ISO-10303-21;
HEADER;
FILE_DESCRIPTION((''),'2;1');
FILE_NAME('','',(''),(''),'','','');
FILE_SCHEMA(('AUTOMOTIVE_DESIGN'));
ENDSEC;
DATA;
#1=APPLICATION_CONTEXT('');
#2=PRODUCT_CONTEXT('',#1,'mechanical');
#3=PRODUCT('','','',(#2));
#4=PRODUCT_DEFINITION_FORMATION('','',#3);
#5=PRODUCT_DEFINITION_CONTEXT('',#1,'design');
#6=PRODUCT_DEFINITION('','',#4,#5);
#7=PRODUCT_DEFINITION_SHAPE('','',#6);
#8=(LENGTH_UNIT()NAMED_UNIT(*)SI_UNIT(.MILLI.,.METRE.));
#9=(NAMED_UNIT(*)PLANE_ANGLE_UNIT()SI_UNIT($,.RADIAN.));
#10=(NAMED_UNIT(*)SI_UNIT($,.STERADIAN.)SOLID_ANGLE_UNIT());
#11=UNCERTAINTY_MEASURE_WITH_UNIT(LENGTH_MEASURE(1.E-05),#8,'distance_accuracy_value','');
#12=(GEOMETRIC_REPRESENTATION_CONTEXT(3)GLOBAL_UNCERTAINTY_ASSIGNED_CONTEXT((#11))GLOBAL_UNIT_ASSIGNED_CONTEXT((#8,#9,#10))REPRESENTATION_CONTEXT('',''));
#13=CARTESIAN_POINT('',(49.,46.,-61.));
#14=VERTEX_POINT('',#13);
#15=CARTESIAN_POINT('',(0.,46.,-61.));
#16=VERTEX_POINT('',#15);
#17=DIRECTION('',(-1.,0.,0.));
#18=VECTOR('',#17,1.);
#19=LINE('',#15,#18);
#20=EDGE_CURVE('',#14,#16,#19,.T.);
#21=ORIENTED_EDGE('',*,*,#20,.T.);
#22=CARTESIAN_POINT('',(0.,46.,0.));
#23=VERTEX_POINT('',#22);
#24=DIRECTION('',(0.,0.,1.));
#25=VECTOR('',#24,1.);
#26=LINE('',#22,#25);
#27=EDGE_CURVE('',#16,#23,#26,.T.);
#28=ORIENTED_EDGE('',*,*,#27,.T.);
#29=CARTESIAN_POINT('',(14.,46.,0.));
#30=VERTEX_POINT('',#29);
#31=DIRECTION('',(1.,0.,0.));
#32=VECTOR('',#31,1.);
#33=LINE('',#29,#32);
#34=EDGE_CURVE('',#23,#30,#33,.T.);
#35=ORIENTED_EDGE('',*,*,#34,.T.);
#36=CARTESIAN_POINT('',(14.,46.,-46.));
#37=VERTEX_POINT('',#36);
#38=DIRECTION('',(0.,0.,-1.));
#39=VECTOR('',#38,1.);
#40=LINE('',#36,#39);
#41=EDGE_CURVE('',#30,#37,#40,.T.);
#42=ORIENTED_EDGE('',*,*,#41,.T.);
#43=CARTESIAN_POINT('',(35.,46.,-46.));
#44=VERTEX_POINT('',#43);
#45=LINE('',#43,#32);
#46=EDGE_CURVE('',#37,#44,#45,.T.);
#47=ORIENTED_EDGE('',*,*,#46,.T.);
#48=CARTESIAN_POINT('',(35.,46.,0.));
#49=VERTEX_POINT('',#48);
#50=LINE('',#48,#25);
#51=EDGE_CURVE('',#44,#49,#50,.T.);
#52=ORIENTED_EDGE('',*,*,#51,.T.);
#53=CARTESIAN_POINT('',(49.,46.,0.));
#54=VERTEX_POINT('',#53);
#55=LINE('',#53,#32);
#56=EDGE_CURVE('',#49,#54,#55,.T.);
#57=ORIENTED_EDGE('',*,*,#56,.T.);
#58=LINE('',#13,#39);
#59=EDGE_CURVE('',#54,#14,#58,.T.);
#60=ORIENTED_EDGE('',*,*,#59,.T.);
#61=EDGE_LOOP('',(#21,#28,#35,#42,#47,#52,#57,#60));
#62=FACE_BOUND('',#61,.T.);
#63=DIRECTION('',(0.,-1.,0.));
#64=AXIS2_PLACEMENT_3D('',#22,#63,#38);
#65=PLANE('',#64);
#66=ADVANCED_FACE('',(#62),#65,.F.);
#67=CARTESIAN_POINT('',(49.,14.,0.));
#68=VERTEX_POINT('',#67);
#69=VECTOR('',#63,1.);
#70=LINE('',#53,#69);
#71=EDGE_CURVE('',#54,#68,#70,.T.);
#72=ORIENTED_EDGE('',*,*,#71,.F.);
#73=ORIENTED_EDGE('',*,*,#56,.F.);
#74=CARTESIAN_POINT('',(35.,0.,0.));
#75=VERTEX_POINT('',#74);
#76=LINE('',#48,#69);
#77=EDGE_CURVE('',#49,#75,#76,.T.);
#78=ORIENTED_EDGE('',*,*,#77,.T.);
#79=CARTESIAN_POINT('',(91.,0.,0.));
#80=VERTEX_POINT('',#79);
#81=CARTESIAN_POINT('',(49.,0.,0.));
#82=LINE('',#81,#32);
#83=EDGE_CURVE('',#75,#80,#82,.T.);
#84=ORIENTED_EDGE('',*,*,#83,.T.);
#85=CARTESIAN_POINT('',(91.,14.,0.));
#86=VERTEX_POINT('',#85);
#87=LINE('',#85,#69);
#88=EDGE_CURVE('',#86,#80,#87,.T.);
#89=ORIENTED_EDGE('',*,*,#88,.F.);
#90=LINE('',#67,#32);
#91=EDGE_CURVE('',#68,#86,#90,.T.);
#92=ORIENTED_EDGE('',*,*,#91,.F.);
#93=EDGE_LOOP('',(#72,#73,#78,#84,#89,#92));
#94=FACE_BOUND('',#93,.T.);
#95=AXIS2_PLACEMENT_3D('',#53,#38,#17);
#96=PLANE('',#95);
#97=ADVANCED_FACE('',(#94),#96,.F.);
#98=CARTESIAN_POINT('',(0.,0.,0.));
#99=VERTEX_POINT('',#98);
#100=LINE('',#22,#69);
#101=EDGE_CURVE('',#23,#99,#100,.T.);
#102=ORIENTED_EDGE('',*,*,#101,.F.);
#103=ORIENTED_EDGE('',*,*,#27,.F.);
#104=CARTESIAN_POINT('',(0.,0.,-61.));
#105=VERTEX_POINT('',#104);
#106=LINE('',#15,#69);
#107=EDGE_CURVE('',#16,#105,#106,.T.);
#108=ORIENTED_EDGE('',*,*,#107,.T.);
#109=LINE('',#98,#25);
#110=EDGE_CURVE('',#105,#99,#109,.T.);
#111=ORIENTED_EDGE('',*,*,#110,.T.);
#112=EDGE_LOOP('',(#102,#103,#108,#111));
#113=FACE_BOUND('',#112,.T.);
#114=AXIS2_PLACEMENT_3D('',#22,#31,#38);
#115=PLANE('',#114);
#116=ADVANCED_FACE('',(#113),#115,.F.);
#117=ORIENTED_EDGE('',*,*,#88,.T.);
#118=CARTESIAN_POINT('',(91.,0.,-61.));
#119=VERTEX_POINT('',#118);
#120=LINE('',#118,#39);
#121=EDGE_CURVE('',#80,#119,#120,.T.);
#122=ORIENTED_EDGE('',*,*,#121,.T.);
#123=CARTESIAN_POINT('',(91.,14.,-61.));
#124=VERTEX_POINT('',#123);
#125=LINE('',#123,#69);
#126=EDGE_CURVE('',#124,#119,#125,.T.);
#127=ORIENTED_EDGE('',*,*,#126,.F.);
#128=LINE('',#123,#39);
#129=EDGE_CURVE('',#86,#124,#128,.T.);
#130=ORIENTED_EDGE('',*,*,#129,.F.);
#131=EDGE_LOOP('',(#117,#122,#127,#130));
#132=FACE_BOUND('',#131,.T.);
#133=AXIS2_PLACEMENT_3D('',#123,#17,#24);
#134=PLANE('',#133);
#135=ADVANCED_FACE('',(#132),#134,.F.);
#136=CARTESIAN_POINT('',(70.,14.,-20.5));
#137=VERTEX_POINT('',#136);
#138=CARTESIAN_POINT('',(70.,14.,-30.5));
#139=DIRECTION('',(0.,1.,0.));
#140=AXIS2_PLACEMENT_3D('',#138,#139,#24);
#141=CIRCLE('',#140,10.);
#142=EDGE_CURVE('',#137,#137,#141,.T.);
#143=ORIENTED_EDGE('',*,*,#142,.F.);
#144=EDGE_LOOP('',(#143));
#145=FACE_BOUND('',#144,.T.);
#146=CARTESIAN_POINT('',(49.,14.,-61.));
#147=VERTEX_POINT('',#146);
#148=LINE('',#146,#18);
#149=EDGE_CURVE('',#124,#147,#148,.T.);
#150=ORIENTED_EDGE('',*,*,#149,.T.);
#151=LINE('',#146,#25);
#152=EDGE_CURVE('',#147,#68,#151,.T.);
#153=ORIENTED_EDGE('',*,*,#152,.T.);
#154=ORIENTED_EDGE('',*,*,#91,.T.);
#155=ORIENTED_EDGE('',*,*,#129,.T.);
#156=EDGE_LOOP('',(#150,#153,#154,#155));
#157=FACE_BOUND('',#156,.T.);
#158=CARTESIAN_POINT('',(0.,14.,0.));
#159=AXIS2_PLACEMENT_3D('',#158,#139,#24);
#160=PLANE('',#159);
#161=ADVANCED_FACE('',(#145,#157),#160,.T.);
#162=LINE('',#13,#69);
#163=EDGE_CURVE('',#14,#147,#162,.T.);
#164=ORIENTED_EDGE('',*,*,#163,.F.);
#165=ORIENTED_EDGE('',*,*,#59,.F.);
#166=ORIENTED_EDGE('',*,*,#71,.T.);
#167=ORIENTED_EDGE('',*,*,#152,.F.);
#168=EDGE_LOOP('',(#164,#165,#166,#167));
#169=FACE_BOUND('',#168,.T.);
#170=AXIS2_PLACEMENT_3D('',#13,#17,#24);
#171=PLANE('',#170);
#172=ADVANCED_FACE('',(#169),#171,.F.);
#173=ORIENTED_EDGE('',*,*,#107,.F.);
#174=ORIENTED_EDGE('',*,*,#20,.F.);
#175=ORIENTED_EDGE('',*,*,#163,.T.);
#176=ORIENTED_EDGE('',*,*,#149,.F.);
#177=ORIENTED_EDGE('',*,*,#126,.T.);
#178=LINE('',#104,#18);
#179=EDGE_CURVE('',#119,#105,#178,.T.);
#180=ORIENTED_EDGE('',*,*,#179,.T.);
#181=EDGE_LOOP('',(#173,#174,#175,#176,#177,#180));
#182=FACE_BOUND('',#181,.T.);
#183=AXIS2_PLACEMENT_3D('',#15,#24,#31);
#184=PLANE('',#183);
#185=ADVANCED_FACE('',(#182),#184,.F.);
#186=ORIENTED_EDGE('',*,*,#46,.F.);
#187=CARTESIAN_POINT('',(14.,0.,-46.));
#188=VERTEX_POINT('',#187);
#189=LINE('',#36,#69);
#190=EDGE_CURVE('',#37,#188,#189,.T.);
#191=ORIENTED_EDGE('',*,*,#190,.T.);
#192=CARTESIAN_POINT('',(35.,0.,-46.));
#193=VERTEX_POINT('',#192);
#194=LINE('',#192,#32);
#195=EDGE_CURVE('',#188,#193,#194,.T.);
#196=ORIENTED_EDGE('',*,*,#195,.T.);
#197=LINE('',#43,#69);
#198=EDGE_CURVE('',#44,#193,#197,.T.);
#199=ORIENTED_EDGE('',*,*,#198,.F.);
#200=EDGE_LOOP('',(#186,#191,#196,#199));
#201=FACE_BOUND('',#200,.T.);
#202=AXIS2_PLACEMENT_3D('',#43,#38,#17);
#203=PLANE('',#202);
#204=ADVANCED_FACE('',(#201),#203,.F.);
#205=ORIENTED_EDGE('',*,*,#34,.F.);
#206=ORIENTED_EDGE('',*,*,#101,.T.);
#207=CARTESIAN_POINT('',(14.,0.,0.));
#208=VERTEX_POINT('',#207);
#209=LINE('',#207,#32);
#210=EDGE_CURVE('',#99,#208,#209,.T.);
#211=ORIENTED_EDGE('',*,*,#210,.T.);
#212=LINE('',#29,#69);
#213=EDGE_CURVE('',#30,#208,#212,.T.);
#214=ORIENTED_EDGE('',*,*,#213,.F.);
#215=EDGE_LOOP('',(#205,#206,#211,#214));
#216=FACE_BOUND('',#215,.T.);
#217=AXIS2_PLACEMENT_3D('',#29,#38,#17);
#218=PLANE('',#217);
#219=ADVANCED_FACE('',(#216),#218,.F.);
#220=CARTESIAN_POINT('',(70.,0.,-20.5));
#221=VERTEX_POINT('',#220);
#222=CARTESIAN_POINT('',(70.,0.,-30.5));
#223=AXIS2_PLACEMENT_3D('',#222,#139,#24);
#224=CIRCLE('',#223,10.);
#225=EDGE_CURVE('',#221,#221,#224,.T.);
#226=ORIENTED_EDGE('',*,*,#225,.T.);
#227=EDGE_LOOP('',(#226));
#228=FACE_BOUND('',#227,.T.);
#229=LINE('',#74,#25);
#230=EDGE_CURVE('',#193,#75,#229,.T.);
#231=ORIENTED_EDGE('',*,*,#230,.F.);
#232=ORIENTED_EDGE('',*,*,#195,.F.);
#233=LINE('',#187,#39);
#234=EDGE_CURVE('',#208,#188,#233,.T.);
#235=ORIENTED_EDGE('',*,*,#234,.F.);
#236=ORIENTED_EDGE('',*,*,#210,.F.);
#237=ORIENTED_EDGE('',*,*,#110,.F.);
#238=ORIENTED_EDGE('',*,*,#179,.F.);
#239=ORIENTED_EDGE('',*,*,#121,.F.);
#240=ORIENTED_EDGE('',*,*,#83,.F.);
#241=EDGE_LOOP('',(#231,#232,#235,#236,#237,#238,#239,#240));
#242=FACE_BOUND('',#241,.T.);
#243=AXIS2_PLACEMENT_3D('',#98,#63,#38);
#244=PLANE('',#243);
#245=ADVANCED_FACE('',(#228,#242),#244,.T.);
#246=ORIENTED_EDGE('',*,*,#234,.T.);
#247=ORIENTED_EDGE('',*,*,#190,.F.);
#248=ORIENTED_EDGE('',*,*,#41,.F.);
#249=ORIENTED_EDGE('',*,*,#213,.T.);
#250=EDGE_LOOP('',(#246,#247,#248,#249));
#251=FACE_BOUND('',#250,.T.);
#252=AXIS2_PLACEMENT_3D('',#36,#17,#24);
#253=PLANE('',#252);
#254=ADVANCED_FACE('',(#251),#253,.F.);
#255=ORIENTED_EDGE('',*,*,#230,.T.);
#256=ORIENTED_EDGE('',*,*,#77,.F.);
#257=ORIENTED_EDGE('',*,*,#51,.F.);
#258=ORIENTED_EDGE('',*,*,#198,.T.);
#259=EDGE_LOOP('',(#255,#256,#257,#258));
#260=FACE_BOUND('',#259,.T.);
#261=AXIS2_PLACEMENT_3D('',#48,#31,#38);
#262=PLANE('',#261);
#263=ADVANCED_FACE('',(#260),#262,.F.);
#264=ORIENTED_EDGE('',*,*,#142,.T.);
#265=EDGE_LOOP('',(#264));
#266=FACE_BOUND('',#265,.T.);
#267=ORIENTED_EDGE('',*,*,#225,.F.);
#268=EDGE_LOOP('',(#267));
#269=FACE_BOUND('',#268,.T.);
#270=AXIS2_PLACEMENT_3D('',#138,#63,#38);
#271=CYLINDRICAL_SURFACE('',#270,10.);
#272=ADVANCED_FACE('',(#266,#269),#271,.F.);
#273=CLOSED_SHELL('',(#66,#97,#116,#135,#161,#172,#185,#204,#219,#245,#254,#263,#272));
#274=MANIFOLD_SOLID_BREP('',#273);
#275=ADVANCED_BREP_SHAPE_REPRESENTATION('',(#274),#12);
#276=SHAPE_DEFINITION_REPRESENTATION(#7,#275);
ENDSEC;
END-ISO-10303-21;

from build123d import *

# Parameters (mm, degrees)
EXTRUDE_1_DEPTH = 46
SKETCH_2_W      = 42
SKETCH_2_H      = 61
SKETCH_2_R      = 10
EXTRUDE_2_DEPTH = 14


with BuildPart() as part:
    # 스케치1 → 보스-돌출1 (new body)
    with BuildSketch(Plane(origin=(0, 0, 0), x_dir=(1, 0, 0), z_dir=(0, 1, 0))):
        Polygon((0, 0), (0, 61), (49, 61), (49, 0), (35, 0), (35, 46), (14, 46), (14, 0), align=None)
    extrude(amount=EXTRUDE_1_DEPTH)

    # 스케치2 → 보스-돌출2 (add)
    with BuildSketch(Plane(origin=(0, 0, 0), x_dir=(1, 0, 0), z_dir=(0, 1, 0))):
        with Locations((70, 30.5)):
            Rectangle(SKETCH_2_W, SKETCH_2_H)
        with Locations(Location((70, 30.5, 0), (0, 0, 270))):
            Circle(SKETCH_2_R, mode=Mode.SUBTRACT)
    extrude(amount=EXTRUDE_2_DEPTH)


solid = part.part
